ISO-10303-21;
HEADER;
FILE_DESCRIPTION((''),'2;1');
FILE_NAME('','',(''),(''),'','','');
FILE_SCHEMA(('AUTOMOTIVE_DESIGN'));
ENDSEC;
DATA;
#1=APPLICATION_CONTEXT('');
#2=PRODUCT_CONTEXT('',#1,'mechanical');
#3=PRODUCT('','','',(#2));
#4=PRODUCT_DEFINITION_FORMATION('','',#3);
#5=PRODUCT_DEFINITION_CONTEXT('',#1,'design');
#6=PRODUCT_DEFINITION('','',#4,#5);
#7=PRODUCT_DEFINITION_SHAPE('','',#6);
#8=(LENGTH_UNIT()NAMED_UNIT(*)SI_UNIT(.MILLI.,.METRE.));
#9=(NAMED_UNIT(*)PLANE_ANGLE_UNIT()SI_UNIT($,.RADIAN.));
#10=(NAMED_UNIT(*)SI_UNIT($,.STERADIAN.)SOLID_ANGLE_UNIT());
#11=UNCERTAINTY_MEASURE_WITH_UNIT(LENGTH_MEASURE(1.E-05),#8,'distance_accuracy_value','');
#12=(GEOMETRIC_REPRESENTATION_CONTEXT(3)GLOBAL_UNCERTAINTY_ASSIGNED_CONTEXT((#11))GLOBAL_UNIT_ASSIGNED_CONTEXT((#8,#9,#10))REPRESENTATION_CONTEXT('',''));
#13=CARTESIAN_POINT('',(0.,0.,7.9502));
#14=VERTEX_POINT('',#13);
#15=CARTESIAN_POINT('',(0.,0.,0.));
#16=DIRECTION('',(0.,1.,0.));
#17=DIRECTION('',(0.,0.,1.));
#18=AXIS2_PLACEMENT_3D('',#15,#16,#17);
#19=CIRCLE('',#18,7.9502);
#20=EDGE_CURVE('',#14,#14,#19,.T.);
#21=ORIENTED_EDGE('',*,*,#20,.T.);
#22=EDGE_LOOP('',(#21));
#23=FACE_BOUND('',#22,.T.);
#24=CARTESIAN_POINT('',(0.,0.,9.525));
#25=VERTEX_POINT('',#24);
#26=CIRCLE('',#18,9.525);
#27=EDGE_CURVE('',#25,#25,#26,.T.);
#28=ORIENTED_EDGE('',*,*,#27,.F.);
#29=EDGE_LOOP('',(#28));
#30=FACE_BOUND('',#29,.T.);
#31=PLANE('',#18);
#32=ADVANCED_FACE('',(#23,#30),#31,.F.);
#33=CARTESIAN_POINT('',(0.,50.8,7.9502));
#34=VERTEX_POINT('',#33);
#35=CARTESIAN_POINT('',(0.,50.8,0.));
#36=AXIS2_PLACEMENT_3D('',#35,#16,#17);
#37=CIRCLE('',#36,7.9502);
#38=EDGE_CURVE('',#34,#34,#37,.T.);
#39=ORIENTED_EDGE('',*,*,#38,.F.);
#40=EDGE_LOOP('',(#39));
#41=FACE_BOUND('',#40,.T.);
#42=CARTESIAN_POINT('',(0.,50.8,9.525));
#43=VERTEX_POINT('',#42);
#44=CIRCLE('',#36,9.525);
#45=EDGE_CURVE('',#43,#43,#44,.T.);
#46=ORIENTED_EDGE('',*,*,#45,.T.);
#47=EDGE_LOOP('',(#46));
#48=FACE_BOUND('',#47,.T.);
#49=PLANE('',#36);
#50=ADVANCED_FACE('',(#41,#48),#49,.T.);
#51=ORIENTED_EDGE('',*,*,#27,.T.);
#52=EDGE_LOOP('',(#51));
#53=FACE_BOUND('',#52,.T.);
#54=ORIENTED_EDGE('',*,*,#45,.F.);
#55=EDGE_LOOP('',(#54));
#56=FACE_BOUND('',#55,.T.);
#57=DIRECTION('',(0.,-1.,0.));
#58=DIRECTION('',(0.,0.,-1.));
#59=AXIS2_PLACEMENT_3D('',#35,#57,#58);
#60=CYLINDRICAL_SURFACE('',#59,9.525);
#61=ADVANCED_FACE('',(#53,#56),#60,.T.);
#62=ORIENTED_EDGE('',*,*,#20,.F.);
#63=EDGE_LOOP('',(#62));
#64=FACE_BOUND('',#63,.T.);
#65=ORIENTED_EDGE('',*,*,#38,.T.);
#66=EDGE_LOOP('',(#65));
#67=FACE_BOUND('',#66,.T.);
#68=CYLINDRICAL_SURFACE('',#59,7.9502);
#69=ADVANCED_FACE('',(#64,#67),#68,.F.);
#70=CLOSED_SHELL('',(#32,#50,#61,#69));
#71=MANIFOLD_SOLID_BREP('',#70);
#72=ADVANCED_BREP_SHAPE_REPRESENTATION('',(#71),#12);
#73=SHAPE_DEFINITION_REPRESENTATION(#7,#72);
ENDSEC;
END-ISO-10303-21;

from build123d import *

# Parameters (mm, degrees)
SKETCH1_R           = 9.525
SKETCH1_R_2         = 7.9502
BOSS_EXTRUDE1_DEPTH = 50.8


with BuildPart() as part:
    # Sketch1 → Boss-Extrude1 (new body)
    with BuildSketch(Plane(origin=(0, 0, 0), x_dir=(1, 0, 0), z_dir=(0, 1, 0))):
        Circle(SKETCH1_R)
        Circle(SKETCH1_R_2, mode=Mode.SUBTRACT)
    extrude(amount=BOSS_EXTRUDE1_DEPTH)


solid = part.part
